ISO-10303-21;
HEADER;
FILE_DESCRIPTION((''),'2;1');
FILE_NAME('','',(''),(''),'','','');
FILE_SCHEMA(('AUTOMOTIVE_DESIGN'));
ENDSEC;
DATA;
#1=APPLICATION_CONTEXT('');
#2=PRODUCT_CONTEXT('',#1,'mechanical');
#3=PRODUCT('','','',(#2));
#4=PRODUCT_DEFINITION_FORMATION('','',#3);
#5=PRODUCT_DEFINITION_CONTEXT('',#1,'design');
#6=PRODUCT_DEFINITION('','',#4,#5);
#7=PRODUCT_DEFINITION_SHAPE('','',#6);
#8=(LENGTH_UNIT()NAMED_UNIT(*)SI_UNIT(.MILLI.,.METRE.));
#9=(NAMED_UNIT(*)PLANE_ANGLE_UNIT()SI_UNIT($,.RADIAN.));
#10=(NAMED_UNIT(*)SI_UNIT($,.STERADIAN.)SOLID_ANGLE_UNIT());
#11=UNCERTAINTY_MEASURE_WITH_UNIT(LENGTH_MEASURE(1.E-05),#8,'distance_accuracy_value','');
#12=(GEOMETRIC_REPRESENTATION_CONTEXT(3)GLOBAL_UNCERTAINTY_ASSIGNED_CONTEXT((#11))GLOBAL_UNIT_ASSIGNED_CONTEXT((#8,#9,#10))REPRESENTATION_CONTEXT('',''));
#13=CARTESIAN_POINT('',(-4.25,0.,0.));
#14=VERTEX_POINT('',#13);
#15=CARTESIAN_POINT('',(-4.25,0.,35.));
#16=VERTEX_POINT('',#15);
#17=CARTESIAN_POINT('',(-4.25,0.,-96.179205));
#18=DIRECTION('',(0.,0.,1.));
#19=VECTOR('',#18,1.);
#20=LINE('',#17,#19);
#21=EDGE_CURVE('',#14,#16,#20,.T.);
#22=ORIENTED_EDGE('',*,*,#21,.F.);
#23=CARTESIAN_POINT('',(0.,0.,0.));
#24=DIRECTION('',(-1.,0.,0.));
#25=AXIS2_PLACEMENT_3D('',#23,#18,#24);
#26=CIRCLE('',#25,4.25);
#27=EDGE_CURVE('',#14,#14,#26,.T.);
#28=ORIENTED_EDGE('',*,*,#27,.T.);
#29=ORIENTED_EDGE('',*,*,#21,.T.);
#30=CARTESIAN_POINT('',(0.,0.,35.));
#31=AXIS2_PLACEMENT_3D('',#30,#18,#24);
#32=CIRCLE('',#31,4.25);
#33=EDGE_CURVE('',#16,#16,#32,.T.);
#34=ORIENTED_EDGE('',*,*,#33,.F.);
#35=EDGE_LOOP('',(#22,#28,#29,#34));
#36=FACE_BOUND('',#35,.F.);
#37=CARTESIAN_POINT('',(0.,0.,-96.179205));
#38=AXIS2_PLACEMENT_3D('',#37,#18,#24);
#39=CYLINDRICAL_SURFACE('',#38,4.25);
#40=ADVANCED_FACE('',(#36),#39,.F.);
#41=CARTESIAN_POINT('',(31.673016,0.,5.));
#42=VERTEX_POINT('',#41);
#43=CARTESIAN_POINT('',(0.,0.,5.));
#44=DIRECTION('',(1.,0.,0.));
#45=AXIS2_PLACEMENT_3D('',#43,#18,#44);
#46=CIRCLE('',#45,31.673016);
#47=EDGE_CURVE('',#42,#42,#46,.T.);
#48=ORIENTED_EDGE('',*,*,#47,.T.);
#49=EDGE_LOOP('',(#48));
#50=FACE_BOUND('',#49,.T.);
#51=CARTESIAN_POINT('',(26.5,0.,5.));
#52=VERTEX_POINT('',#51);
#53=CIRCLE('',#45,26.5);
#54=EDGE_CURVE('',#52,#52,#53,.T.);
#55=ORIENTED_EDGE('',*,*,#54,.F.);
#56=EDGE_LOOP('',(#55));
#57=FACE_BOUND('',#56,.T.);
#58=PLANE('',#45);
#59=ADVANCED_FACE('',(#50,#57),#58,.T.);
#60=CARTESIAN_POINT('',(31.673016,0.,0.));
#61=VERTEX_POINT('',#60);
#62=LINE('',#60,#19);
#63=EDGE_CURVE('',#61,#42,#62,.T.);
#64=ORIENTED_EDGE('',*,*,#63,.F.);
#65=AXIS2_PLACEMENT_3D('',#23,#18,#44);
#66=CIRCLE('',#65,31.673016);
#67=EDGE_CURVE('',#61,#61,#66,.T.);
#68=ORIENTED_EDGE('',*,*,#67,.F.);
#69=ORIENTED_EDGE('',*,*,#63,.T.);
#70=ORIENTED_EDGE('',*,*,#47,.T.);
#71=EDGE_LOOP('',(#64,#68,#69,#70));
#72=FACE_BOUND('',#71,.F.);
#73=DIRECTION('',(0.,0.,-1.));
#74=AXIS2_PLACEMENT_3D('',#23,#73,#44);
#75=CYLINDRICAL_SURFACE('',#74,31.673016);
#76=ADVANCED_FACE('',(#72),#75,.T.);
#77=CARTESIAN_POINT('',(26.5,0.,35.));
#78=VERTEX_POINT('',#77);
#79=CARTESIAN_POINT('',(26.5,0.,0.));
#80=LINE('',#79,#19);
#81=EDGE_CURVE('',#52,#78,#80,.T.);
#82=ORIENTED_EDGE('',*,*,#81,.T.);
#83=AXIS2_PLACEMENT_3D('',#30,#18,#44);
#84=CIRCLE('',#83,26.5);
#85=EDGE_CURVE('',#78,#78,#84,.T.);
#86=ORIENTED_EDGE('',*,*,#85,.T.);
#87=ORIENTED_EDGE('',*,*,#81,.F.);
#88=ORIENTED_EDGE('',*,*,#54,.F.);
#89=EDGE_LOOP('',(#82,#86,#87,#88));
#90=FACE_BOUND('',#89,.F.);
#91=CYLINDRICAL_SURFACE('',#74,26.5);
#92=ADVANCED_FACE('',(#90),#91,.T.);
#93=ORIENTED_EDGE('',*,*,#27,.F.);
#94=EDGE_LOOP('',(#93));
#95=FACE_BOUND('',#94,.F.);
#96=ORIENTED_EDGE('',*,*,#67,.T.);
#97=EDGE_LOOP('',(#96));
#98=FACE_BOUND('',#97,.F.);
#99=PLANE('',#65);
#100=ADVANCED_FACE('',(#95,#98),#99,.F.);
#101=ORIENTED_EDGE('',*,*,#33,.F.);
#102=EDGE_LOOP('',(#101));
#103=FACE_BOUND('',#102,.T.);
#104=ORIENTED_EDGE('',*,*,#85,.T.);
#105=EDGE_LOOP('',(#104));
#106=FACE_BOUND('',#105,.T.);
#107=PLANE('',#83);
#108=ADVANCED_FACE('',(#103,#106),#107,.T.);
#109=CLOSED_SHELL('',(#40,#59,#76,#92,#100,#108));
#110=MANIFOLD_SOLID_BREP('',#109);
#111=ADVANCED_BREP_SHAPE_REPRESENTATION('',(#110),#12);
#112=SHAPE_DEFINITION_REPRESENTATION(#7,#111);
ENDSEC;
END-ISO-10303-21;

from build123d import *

# Parameters (mm, degrees)
F0_R     = 26.5
F1_DEPTH = 35
F0_R_2   = 31.673016
F2_DEPTH = 5
F3_D     = 8.5


with BuildPart() as f1:
    # F0 (on Top) → F1 (new body)
    with BuildSketch(Plane.XY):
        Circle(F0_R)
    extrude(amount=F1_DEPTH)

    # F0 (on Top) → F2 (join)
    with BuildSketch(Plane.XY):
        Circle(F0_R_2)
        Circle(F0_R, mode=Mode.SUBTRACT)
    extrude(amount=F2_DEPTH)

    # F3 (through all)
    with Locations(Plane(origin=(0, 0, 0), x_dir=(1, 0, 0), z_dir=(0, 0, -1))):
        with Locations((0, 0)):
            Hole(F3_D / 2)


solid = f1.part
